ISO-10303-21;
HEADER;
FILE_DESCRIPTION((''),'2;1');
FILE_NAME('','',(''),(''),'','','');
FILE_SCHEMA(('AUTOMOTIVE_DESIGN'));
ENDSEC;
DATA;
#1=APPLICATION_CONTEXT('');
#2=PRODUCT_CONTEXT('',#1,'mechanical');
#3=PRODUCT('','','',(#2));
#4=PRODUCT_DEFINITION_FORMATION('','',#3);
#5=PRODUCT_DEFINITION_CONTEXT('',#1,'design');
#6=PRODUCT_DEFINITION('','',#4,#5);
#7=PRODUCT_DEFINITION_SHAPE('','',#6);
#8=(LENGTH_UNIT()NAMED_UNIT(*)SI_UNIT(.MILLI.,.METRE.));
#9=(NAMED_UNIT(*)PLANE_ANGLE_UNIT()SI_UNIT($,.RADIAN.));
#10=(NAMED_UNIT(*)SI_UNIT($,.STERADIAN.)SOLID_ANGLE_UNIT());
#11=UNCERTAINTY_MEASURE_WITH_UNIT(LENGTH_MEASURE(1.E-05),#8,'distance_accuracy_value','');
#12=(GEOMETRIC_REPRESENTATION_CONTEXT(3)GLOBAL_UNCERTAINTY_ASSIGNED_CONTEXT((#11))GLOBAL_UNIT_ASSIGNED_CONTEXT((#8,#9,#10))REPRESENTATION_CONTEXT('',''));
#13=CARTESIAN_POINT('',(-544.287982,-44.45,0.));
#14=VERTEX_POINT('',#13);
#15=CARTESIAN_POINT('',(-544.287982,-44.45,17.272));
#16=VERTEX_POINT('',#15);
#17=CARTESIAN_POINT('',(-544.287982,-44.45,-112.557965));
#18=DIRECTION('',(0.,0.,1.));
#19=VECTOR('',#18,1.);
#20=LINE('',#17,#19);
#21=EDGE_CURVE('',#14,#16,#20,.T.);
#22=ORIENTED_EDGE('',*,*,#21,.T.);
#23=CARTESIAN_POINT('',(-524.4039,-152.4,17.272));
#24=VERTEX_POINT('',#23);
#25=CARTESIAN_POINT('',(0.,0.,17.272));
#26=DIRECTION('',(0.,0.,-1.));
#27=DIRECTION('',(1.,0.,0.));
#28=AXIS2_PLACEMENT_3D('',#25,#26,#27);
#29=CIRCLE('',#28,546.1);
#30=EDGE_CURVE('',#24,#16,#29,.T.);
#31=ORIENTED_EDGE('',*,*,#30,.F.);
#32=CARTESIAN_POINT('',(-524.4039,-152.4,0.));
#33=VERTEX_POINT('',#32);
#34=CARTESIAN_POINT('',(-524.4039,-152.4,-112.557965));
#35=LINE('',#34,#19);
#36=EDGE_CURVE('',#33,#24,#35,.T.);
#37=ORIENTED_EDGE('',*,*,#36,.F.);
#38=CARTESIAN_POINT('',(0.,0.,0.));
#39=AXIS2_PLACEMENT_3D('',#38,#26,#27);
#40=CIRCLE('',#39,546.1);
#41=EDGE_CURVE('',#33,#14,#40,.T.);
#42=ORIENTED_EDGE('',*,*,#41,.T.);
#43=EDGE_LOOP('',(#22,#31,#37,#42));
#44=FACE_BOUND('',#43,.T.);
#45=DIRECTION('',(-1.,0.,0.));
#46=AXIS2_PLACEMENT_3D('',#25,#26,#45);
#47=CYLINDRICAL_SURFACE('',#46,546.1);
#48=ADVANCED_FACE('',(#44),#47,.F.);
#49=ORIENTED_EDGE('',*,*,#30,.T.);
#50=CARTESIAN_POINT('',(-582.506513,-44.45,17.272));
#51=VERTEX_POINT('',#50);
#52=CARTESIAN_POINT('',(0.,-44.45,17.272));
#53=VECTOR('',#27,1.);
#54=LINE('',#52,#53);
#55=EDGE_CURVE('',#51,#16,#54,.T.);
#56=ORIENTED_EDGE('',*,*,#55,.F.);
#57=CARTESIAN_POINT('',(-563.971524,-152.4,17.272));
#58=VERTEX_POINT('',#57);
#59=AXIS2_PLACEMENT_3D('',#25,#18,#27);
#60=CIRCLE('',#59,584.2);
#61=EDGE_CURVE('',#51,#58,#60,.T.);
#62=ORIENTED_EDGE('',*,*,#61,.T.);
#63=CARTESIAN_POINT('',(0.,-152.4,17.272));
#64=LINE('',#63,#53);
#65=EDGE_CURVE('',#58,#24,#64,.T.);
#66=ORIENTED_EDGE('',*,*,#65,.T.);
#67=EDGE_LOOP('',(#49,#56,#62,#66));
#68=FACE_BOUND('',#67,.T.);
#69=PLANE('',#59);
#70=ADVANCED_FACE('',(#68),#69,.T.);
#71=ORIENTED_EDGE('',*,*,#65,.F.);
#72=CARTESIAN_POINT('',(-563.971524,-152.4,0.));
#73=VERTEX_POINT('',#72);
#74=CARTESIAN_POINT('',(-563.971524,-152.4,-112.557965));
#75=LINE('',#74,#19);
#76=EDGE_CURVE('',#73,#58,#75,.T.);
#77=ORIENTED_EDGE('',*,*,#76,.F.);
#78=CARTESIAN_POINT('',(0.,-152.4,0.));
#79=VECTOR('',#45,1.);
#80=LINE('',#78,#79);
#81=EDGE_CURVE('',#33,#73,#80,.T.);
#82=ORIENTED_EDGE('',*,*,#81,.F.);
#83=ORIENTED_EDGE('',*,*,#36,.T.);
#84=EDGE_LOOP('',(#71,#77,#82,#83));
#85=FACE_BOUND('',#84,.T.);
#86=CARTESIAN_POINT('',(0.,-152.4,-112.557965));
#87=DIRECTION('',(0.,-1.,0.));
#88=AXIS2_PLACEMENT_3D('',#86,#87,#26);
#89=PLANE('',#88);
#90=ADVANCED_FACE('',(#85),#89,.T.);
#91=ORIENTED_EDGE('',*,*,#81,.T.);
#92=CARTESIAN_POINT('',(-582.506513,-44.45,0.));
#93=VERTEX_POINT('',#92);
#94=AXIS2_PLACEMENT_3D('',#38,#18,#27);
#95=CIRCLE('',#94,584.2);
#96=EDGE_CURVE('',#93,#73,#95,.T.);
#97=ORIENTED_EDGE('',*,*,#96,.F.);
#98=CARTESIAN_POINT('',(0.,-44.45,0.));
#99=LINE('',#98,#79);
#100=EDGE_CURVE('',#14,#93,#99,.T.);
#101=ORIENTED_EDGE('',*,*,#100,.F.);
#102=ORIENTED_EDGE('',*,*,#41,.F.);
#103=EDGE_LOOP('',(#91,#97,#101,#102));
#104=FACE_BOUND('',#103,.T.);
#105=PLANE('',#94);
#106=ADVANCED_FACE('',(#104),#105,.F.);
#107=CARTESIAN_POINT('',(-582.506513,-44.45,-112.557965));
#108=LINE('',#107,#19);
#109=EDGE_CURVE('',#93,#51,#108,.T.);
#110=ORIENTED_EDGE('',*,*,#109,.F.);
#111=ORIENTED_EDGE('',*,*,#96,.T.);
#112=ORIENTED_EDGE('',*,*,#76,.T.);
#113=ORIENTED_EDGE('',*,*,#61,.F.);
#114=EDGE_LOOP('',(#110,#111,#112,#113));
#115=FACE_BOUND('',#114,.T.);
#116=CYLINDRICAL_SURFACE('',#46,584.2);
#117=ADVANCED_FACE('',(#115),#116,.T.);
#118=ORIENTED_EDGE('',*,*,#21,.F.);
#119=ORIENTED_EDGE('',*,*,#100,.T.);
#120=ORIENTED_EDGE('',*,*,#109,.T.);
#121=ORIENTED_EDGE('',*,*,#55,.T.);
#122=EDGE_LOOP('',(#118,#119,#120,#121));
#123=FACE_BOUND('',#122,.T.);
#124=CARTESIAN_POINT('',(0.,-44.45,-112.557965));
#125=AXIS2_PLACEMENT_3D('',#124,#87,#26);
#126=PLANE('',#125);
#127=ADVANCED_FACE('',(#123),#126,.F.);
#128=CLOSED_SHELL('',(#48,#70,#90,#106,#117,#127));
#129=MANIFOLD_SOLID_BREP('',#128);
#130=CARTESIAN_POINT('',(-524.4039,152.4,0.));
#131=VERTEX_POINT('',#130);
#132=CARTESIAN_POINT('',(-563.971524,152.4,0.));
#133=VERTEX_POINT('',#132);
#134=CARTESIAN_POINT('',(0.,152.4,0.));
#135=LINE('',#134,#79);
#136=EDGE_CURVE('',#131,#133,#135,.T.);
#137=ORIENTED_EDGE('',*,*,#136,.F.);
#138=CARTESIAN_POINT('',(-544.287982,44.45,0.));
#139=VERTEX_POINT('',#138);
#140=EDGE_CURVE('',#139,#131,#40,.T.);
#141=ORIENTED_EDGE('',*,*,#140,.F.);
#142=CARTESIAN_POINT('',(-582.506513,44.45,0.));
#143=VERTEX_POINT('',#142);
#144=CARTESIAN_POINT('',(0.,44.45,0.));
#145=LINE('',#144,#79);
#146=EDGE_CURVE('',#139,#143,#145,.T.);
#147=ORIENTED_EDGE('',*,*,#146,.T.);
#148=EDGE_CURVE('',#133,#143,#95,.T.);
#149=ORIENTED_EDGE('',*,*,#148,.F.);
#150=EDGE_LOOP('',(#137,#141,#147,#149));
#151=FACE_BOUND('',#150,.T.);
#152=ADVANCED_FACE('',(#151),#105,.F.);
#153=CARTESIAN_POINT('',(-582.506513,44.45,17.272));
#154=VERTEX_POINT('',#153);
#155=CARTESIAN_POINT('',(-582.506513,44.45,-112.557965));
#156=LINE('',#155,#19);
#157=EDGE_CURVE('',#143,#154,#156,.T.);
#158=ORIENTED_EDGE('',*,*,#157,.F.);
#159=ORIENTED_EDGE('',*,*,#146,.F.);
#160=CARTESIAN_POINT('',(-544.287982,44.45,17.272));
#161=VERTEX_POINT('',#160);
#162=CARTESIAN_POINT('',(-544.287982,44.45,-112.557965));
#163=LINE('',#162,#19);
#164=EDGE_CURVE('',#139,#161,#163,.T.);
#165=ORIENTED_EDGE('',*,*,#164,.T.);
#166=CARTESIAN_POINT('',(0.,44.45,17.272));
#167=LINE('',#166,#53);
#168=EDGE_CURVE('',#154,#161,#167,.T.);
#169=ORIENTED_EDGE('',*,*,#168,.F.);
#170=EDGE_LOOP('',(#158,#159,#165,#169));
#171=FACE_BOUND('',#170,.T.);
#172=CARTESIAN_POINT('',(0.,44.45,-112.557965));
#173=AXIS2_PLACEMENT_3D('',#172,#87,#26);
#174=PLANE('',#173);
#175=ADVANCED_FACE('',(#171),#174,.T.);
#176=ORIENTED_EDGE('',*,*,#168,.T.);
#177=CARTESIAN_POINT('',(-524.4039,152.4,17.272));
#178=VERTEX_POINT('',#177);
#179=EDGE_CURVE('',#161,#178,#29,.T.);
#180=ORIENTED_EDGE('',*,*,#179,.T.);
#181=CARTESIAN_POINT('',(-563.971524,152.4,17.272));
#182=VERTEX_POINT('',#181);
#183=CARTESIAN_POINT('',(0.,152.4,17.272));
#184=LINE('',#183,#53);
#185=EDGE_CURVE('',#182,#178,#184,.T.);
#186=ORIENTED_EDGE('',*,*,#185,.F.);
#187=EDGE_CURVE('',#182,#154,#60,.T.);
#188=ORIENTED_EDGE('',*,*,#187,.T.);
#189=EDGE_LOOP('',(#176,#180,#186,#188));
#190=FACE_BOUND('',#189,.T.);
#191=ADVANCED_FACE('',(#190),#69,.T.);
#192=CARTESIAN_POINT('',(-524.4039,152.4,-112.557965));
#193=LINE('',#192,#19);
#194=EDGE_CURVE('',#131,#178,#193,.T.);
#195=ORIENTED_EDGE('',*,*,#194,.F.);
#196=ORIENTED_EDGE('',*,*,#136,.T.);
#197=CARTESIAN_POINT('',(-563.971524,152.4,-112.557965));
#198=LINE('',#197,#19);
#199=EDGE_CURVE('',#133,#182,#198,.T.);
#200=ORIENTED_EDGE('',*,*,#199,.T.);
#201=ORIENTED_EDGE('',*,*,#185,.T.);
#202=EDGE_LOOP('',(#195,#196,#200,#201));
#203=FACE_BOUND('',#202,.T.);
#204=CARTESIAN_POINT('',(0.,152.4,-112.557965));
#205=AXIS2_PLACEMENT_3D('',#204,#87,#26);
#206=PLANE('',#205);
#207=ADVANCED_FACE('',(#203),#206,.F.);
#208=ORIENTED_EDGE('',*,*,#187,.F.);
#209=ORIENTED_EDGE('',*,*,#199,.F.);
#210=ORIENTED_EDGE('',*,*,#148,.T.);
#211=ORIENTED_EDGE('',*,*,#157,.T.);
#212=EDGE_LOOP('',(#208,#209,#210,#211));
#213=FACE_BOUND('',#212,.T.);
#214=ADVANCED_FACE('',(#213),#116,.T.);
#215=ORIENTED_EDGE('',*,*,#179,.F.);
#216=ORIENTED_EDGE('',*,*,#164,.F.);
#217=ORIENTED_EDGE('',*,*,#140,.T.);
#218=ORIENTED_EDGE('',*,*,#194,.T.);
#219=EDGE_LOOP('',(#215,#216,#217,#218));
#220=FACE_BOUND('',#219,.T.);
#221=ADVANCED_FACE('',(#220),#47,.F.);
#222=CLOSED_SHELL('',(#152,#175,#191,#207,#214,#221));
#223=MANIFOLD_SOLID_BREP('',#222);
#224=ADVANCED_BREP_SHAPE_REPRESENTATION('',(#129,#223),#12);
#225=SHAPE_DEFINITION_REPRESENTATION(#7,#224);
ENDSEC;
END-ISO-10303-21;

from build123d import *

# Parameters (mm, degrees)
SKETCH1_R           = 3.175
BOSS_EXTRUDE1_DEPTH = 17.272
CUT_EXTRUDE1_START  = -17.272
CUT_EXTRUDE1_DEPTH  = 17.272


with BuildPart() as part:
    # Sketch1 → Boss-Extrude1 (new body)
    with BuildSketch(Plane.XY):
        with BuildLine():
            Line((-517.469519919, 241.3), (-494.934682501, 230.791832737))
            ThreePointArc((-494.934682501, 230.791832737), (-546.1, 0), (-494.934682501, -230.791832737))
            Line((-494.934682501, -230.791832737), (-517.469519919, -241.3))
            Line((-517.469519919, -241.3), (-532.037545668, -241.3))
            ThreePointArc((-532.037545668, -241.3), (-584.2, 0), (-532.037545668, 241.3))
            Line((-532.037545668, 241.3), (-517.469519919, 241.3))
        make_face()
        with Locations((-565.069727445, 9.525)):
            Circle(SKETCH1_R, mode=Mode.SUBTRACT)
        with Locations((-565.069727445, -9.525)):
            Circle(SKETCH1_R, mode=Mode.SUBTRACT)
        with Locations((-526.121546674, 206.375)):
            Circle(SKETCH1_R, mode=Mode.SUBTRACT)
        with Locations((-533.201525575, 187.325)):
            Circle(SKETCH1_R, mode=Mode.SUBTRACT)
        with Locations((-526.121546674, -206.375)):
            Circle(SKETCH1_R, mode=Mode.SUBTRACT)
        with Locations((-533.201525575, -187.325)):
            Circle(SKETCH1_R, mode=Mode.SUBTRACT)
    extrude(amount=BOSS_EXTRUDE1_DEPTH)

    # Sketch2 → Cut-Extrude1 (cut)
    with BuildSketch(Plane.XY.offset(17.272).offset(CUT_EXTRUDE1_START)):
        with BuildLine():
            Line((-595.242645902, 44.45), (-544.287982138, 44.45))
            ThreePointArc((-544.287982138, 44.45), (-546.1, 0), (-544.287982138, -44.45))
            Line((-544.287982138, -44.45), (-595.242645902, -44.45))
            ThreePointArc((-595.242645902, -44.45), (-596.9, 0), (-595.242645902, 44.45))
        make_face()
        with BuildLine():
            Line((-543.101360245, -247.65), (-486.718283507, -247.65))
            ThreePointArc((-486.718283507, -247.65), (-507.799328434, -200.910557317), (-524.40389968, -152.4))
            Line((-524.40389968, -152.4), (-577.116842589, -152.4))
            ThreePointArc((-577.116842589, -152.4), (-562.130186091, -200.746765565), (-543.101360245, -247.65))
        make_face()
        with BuildLine():
            Line((-543.101360245, 247.65), (-486.718283507, 247.65))
            ThreePointArc((-486.718283507, 247.65), (-507.799328434, 200.910557317), (-524.40389968, 152.4))
            Line((-524.40389968, 152.4), (-577.116842589, 152.4))
            ThreePointArc((-577.116842589, 152.4), (-562.130186091, 200.746765565), (-543.101360245, 247.65))
        make_face()
    extrude(amount=CUT_EXTRUDE1_DEPTH, mode=Mode.SUBTRACT)


with BuildPart() as cut_extrude1_piece_1:
    # of the separate pieces the step leaves, piece 1, a body of its own (cut_extrude1_pieces)
    add(part.part.solids().sort_by_distance((-563.971524104, -152.4, 0))[0])


with BuildPart() as cut_extrude1_piece_2:
    # of the separate pieces the step leaves, piece 2, a body of its own (cut_extrude1_pieces)
    add(part.part.solids().sort_by_distance((-582.506512839, 44.45, 0))[0])


solid = Compound([cut_extrude1_piece_1.part, cut_extrude1_piece_2.part])
